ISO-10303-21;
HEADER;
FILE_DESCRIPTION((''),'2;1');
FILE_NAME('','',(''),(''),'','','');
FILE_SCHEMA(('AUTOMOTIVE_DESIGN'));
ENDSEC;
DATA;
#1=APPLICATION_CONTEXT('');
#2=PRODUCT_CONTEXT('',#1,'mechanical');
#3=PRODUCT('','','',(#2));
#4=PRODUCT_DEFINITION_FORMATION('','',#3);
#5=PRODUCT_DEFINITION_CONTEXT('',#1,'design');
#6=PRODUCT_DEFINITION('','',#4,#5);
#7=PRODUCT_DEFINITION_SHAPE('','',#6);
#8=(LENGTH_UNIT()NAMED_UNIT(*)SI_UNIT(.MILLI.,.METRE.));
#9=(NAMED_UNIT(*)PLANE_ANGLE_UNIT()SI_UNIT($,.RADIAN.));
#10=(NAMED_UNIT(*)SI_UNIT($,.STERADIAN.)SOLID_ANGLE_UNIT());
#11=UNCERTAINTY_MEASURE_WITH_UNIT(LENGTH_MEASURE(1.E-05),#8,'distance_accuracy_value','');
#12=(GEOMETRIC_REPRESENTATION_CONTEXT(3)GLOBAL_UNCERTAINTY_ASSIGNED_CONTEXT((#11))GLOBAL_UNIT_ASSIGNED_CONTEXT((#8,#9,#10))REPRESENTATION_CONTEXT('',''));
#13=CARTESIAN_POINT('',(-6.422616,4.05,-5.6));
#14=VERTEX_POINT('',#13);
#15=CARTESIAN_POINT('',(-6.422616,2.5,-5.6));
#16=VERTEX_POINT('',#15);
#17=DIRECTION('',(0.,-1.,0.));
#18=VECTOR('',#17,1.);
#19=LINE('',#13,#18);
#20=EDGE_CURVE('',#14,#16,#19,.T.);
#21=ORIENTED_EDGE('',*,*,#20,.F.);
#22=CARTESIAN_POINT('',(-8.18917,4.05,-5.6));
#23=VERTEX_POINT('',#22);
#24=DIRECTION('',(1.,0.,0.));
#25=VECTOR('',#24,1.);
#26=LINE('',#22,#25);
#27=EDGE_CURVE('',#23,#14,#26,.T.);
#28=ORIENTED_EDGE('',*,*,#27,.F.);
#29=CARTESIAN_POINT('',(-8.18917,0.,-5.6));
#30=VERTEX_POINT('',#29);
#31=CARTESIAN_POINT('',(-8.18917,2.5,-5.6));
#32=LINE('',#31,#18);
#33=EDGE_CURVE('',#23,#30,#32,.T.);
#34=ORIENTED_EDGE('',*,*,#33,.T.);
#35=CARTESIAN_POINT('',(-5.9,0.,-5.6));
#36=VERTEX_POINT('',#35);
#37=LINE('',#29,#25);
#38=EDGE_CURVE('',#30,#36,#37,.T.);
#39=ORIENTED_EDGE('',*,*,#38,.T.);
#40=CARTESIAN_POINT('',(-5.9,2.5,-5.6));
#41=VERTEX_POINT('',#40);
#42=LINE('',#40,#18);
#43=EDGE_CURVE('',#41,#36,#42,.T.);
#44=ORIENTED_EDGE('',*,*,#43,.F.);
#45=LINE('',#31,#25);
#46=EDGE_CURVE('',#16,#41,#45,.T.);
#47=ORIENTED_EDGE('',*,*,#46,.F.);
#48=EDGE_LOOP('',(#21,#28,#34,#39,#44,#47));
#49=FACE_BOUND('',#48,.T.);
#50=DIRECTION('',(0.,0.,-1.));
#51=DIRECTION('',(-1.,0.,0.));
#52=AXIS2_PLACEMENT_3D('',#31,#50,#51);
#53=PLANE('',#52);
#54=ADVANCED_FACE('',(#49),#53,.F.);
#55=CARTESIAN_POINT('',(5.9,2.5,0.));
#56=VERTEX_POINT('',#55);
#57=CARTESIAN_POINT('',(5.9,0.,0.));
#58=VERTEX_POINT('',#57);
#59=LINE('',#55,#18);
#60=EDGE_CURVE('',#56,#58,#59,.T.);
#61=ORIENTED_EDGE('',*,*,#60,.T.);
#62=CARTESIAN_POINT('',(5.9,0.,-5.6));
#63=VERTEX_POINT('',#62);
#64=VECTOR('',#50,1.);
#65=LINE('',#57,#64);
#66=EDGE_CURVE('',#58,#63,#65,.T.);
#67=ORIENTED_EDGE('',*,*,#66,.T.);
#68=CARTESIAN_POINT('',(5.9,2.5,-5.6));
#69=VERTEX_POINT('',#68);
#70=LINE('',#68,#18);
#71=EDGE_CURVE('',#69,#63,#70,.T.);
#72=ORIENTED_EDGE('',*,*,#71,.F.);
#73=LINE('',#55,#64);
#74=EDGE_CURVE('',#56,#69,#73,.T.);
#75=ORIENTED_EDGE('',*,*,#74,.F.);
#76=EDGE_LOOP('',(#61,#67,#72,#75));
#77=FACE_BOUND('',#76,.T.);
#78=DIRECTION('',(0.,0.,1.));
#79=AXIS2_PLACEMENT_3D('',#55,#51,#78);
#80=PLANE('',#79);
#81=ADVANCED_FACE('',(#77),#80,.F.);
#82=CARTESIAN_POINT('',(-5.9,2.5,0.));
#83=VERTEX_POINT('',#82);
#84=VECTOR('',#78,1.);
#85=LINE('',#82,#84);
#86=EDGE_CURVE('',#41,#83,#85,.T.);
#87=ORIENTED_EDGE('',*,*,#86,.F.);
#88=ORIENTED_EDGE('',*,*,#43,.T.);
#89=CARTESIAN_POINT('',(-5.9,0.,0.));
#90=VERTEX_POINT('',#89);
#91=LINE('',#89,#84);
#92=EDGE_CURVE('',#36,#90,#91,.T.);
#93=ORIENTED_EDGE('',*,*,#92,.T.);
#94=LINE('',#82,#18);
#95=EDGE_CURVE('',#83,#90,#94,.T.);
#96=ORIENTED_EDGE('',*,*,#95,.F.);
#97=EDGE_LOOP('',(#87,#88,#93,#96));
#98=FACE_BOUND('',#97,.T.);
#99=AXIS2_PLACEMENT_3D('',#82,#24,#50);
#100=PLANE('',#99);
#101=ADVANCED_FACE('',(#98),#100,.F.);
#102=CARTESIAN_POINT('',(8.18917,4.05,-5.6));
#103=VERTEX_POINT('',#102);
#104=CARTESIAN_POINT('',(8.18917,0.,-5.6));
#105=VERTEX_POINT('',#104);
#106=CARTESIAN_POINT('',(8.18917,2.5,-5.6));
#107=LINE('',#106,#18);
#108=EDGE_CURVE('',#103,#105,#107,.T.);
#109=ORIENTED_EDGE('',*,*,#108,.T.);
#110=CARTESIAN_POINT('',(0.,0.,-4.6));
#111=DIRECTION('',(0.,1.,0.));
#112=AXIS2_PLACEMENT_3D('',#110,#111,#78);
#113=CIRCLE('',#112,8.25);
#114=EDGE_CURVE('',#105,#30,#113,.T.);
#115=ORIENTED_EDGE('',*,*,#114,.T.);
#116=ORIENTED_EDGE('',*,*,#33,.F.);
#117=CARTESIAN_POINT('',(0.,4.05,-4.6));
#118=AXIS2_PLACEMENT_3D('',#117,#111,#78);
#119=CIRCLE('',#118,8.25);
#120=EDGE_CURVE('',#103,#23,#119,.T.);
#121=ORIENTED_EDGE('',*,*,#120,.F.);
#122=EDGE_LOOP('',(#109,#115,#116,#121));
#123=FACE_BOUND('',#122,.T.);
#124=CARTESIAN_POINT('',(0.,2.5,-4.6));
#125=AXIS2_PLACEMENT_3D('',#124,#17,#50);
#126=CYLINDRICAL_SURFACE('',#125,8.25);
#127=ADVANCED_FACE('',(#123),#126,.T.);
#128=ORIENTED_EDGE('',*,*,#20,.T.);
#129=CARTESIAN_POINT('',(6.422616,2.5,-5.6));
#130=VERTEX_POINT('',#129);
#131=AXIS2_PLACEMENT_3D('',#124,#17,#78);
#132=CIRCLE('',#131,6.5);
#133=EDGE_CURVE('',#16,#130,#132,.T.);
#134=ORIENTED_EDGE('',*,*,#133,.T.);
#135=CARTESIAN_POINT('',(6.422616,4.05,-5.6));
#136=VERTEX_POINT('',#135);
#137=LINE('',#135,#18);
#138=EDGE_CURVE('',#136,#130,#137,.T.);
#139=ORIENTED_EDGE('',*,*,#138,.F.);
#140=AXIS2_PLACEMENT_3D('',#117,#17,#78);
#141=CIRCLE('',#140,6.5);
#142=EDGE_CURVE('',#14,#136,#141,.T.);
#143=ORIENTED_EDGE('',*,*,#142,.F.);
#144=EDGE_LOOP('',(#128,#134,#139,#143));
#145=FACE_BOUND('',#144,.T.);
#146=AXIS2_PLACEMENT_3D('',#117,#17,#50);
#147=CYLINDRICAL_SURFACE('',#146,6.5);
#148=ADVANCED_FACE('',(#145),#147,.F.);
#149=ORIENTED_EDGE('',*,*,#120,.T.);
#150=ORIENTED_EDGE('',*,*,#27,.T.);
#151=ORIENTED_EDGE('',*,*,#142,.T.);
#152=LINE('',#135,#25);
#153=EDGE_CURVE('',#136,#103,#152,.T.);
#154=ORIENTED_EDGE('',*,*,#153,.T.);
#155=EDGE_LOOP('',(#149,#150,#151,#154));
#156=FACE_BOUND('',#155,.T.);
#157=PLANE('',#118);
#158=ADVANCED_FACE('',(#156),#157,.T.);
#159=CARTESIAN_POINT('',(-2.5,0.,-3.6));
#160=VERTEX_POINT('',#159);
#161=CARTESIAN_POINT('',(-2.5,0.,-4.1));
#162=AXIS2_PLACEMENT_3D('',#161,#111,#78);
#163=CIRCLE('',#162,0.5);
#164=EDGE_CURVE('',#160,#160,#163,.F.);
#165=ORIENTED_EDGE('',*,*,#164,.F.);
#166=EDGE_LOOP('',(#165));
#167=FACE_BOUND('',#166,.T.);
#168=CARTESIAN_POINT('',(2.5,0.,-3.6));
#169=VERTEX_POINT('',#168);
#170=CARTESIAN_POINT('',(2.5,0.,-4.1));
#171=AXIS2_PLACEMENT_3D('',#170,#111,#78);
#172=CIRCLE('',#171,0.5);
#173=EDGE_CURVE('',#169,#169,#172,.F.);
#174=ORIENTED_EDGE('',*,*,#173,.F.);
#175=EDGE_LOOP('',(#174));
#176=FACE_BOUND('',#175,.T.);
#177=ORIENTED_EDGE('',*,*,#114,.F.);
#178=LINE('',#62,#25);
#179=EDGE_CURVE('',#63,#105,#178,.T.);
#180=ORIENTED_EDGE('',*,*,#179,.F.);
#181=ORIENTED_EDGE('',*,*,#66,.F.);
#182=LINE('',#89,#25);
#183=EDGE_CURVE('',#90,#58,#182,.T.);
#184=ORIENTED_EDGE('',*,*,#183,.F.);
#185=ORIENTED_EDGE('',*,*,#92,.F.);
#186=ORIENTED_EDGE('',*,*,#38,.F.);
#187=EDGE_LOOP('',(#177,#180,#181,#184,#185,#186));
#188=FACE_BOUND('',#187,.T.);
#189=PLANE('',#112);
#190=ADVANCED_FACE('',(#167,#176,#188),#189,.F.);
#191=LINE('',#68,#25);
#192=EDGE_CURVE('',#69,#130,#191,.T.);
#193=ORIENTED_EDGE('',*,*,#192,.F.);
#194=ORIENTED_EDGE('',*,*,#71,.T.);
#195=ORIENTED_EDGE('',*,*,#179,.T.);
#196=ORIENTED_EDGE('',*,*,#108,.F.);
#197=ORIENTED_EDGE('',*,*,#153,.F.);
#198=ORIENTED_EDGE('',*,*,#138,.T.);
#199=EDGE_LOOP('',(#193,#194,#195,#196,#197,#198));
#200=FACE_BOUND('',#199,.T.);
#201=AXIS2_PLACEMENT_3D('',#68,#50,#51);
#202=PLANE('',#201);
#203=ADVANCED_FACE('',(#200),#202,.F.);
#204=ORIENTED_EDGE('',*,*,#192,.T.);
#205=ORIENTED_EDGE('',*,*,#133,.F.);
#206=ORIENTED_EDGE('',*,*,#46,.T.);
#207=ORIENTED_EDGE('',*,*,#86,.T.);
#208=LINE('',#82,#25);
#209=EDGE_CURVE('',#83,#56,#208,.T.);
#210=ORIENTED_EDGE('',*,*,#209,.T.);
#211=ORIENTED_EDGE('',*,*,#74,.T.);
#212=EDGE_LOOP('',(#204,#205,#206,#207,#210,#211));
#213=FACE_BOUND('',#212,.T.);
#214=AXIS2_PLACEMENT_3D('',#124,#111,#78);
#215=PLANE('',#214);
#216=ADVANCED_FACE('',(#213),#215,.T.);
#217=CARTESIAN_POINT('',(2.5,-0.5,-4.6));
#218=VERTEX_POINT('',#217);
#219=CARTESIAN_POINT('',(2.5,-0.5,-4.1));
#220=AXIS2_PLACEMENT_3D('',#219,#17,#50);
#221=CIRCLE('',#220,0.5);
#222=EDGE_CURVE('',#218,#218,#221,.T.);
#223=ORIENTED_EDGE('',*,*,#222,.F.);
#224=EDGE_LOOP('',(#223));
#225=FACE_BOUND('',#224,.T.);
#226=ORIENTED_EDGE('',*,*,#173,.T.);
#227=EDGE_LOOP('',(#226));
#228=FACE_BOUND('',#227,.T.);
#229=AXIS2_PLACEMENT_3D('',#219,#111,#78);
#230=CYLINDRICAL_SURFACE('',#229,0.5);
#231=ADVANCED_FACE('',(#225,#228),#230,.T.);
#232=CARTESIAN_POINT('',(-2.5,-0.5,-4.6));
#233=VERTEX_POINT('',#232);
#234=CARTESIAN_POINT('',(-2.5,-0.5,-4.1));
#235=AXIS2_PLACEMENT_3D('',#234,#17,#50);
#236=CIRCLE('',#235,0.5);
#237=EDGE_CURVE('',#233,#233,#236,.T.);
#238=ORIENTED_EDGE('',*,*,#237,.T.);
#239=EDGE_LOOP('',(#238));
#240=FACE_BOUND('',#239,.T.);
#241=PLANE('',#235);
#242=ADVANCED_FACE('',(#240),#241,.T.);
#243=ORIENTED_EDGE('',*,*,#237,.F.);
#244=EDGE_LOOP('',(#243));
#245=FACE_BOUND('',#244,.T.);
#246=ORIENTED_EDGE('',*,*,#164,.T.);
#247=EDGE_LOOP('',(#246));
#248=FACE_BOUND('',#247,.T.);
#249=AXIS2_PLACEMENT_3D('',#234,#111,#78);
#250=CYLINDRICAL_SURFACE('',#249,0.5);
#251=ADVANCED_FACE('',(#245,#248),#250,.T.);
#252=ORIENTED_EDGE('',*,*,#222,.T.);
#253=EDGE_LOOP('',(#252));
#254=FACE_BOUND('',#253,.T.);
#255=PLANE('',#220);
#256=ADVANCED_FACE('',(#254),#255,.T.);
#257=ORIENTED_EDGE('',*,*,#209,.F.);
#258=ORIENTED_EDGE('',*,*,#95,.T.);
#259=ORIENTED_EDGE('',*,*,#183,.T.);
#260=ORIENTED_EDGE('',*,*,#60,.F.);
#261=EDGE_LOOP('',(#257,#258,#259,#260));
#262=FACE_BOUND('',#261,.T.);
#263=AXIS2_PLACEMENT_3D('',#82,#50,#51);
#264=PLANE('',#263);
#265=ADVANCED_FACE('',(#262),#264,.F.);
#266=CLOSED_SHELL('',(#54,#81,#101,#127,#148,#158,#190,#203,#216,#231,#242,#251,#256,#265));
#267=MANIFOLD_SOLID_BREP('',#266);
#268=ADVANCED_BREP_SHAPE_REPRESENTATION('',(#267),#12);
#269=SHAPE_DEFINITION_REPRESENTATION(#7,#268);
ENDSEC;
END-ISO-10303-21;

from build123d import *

# Parameters (mm, degrees)
EXTRUDE_1_DEPTH = 2.5
EXTRUDE_2_DEPTH = 1.55
SKETCH_3_R      = 0.5
EXTRUDE_3_DEPTH = 0.5


with BuildPart() as part:
    # 草图1 → 凸台-拉伸1 (new body)
    with BuildSketch(Plane(origin=(0, 0, 0), x_dir=(1, 0, 0), z_dir=(0, 1, 0))):
        with BuildLine():
            Line((-5.9, 0), (5.9, 0))
            Line((5.9, 0), (5.9, 5.6))
            Line((5.9, 5.6), (8.189169677, 5.6))
            ThreePointArc((8.189169677, 5.6), (0, 12.85), (-8.189169677, 5.6))
            Line((-8.189169677, 5.6), (-5.9, 5.6))
            Line((-5.9, 5.6), (-5.9, 0))
        make_face()
    extrude(amount=EXTRUDE_1_DEPTH)

    # 草图2 → 凸台-拉伸2 (add)
    with BuildSketch(Plane(origin=(0, 2.5, 0), x_dir=(1, 0, 0), z_dir=(0, 1, 0))):
        with BuildLine():
            Line((-8.189169677, 5.6), (-6.422616289, 5.6))
            ThreePointArc((-6.422616289, 5.6), (0, 11.1), (6.422616289, 5.6))
            Line((6.422616289, 5.6), (8.189169677, 5.6))
            ThreePointArc((8.189169677, 5.6), (0, 12.85), (-8.189169677, 5.6))
        make_face()
    extrude(amount=EXTRUDE_2_DEPTH)

    # 草图3 → 凸台-拉伸3 (add)
    with BuildSketch(Plane.XZ):
        with Locations(Location((-2.5, -4.1, 0), (0, 0, 90))):
            Circle(SKETCH_3_R)
        with Locations(Location((2.5, -4.1, 0), (0, 0, 90))):
            Circle(SKETCH_3_R)
    extrude(amount=EXTRUDE_3_DEPTH)


solid = part.part
